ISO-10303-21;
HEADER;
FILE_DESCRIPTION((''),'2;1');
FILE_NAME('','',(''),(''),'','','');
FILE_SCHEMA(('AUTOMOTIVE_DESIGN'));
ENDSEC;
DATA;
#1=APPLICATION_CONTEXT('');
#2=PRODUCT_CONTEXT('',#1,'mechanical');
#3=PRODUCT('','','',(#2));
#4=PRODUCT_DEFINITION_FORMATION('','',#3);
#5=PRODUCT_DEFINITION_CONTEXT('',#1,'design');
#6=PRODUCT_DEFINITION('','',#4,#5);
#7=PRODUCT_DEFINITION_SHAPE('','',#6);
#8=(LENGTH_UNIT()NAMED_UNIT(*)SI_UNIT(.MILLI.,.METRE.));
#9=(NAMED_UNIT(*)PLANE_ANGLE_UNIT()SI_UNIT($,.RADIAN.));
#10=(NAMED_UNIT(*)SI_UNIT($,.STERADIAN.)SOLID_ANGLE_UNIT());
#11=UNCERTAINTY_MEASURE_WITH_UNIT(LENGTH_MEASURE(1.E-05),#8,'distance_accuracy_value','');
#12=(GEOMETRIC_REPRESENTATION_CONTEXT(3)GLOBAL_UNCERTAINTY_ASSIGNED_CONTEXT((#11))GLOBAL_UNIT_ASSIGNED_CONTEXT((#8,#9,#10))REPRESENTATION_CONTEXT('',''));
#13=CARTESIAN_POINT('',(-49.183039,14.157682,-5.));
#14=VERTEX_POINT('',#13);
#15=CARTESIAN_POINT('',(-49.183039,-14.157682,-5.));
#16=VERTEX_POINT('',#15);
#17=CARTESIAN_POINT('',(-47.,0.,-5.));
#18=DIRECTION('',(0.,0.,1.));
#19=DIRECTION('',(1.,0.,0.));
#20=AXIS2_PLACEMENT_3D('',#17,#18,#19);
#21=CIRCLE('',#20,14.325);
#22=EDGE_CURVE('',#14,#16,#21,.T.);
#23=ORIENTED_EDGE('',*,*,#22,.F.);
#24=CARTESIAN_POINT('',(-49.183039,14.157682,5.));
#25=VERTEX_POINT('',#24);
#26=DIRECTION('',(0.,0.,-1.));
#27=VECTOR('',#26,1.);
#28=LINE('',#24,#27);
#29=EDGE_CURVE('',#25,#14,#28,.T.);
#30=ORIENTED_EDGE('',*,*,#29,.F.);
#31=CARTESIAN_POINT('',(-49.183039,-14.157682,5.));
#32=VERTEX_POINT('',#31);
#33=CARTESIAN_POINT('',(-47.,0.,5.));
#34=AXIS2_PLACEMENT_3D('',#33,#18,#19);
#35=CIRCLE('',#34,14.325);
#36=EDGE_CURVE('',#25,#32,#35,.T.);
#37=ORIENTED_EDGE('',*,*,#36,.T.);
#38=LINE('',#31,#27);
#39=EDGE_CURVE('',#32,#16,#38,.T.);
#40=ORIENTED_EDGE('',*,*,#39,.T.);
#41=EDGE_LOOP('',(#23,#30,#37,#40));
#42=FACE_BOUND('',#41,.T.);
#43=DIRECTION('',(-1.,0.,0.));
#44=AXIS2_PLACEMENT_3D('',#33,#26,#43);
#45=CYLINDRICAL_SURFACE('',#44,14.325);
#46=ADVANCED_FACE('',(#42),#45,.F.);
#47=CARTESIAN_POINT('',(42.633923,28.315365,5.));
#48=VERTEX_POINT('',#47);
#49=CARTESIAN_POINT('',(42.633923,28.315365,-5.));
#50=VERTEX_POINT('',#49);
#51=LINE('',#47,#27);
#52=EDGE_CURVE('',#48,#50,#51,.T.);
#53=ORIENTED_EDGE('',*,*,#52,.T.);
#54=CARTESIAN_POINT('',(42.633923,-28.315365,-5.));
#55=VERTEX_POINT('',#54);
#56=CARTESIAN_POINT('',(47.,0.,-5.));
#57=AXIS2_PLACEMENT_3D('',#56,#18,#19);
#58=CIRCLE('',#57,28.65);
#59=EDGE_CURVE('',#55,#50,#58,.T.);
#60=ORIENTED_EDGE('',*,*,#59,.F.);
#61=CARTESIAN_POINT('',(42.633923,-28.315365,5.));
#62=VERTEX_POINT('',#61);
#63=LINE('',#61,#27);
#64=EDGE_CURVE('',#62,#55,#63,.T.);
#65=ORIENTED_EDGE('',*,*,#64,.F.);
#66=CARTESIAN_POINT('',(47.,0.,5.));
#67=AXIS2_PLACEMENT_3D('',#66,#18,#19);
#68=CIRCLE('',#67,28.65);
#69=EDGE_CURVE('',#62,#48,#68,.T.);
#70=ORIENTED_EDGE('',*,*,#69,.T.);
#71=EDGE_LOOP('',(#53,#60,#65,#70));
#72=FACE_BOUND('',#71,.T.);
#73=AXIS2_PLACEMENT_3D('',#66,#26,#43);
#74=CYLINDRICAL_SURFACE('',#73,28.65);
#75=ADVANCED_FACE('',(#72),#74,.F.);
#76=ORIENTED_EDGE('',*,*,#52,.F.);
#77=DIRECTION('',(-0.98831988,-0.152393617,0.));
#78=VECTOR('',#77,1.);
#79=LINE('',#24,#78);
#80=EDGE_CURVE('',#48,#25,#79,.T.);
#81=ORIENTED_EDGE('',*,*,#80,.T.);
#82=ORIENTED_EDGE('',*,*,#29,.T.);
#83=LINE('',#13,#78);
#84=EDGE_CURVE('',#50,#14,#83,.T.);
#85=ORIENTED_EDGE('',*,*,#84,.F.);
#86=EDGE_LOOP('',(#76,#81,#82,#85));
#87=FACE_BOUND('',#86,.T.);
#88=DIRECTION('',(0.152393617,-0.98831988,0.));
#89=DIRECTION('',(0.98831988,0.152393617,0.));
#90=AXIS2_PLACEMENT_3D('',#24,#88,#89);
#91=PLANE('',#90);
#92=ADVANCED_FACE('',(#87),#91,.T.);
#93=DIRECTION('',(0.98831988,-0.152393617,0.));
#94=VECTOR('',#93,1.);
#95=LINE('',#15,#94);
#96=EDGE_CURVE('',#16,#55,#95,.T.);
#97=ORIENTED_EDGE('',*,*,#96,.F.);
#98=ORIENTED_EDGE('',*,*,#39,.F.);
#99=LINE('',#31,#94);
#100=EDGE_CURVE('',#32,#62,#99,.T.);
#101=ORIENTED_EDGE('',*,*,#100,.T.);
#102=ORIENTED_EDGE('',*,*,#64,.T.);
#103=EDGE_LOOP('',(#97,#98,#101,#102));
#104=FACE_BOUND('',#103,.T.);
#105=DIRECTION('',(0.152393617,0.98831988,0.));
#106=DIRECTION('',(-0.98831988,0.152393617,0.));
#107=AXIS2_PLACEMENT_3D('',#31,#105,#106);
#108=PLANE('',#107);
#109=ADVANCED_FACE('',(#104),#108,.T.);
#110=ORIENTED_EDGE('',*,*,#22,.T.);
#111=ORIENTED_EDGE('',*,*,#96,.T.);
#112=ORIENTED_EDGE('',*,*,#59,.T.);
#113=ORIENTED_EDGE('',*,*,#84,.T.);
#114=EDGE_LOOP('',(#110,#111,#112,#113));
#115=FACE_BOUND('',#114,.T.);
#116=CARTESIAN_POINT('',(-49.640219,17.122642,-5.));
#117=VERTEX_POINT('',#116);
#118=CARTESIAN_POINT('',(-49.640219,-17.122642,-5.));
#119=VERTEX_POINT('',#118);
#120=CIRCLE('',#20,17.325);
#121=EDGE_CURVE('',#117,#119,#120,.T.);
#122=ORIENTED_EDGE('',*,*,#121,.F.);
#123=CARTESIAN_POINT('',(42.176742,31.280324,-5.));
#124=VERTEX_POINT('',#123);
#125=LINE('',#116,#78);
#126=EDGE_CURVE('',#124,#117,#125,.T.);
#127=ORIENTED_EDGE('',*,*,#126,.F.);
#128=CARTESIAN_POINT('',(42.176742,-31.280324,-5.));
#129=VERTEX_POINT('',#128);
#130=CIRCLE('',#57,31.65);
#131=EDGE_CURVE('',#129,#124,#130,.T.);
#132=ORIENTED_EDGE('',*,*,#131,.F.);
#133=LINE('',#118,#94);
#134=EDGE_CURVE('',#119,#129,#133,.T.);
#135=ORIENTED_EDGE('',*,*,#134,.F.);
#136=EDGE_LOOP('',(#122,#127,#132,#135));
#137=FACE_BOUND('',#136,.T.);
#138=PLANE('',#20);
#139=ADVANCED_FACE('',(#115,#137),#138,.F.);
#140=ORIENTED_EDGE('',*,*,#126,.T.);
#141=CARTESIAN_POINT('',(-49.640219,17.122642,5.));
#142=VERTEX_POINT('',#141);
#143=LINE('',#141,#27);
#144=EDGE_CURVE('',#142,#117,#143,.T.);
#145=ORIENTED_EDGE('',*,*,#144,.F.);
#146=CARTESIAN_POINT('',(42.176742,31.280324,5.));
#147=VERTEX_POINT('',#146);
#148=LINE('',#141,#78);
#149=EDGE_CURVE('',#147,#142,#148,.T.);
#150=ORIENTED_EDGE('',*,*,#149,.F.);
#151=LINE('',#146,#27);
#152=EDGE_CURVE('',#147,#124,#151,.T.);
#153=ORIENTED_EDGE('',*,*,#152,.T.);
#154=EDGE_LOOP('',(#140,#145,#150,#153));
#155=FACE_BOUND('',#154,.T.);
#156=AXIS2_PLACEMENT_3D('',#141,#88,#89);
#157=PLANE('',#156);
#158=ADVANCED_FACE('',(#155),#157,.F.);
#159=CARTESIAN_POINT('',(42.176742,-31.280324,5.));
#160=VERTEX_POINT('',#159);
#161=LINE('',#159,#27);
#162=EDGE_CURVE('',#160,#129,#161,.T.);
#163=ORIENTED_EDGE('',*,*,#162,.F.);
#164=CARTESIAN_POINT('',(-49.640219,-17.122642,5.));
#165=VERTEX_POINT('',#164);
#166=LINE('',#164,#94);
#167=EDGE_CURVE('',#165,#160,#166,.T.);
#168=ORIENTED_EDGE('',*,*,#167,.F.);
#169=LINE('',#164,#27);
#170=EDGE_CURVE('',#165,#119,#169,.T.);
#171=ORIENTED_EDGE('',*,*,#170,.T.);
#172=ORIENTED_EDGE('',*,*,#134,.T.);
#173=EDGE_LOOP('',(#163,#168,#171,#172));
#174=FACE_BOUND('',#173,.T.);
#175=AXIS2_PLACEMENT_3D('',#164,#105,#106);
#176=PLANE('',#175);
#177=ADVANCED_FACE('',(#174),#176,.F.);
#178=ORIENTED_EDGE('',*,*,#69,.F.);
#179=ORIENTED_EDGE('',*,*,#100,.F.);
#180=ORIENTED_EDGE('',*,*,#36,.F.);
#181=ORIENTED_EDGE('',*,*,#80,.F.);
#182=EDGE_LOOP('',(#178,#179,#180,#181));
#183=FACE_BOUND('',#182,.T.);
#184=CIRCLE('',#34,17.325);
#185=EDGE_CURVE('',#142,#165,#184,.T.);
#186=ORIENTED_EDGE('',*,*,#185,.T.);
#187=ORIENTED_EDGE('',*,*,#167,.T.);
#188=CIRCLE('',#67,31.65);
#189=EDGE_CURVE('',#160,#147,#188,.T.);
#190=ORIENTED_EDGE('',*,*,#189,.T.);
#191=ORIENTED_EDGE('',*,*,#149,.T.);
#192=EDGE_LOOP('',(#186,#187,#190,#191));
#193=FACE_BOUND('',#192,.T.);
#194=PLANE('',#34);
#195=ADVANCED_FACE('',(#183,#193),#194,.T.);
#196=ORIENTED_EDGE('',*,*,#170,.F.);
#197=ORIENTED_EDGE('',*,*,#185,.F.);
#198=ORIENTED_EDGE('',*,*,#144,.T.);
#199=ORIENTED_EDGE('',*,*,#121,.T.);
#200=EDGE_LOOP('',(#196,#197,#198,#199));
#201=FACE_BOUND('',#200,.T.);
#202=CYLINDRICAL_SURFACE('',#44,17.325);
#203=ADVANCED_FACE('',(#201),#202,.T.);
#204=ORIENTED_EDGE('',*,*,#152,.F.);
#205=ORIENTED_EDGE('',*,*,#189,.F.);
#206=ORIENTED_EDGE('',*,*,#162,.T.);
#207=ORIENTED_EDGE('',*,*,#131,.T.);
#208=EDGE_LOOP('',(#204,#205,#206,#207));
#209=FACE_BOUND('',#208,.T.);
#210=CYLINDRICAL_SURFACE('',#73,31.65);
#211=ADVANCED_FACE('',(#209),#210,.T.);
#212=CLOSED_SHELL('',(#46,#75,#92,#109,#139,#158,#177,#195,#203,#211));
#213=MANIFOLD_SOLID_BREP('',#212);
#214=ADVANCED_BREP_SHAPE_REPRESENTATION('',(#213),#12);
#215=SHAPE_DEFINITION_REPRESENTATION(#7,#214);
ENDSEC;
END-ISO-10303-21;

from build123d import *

# Parameters (mm, degrees)
BOSS_EXTRUDE1_DEPTH = 5


with BuildPart() as part:
    # Sketch1 → Boss-Extrude1 (new, symmetric)
    with BuildSketch(Plane.XY):
        with BuildLine():
            Line((-49.640219415, 17.122641924), (42.176742021, 31.280324207))
            ThreePointArc((42.176742021, 31.280324207), (78.65, 0), (42.176742021, -31.280324207))
            Line((42.176742021, -31.280324207), (-49.640219415, -17.122641924))
            ThreePointArc((-49.640219415, -17.122641924), (-64.325, 0), (-49.640219415, 17.122641924))
        make_face()
        with BuildLine():
            Line((-49.183038564, 14.157682283), (42.633922872, 28.315364566))
            ThreePointArc((42.633922872, 28.315364566), (75.65, 0), (42.633922872, -28.315364566))
            Line((42.633922872, -28.315364566), (-49.183038564, -14.157682283))
            ThreePointArc((-49.183038564, -14.157682283), (-61.325, 0), (-49.183038564, 14.157682283))
        make_face(mode=Mode.SUBTRACT)
    extrude(amount=BOSS_EXTRUDE1_DEPTH, both=True)


solid = part.part
